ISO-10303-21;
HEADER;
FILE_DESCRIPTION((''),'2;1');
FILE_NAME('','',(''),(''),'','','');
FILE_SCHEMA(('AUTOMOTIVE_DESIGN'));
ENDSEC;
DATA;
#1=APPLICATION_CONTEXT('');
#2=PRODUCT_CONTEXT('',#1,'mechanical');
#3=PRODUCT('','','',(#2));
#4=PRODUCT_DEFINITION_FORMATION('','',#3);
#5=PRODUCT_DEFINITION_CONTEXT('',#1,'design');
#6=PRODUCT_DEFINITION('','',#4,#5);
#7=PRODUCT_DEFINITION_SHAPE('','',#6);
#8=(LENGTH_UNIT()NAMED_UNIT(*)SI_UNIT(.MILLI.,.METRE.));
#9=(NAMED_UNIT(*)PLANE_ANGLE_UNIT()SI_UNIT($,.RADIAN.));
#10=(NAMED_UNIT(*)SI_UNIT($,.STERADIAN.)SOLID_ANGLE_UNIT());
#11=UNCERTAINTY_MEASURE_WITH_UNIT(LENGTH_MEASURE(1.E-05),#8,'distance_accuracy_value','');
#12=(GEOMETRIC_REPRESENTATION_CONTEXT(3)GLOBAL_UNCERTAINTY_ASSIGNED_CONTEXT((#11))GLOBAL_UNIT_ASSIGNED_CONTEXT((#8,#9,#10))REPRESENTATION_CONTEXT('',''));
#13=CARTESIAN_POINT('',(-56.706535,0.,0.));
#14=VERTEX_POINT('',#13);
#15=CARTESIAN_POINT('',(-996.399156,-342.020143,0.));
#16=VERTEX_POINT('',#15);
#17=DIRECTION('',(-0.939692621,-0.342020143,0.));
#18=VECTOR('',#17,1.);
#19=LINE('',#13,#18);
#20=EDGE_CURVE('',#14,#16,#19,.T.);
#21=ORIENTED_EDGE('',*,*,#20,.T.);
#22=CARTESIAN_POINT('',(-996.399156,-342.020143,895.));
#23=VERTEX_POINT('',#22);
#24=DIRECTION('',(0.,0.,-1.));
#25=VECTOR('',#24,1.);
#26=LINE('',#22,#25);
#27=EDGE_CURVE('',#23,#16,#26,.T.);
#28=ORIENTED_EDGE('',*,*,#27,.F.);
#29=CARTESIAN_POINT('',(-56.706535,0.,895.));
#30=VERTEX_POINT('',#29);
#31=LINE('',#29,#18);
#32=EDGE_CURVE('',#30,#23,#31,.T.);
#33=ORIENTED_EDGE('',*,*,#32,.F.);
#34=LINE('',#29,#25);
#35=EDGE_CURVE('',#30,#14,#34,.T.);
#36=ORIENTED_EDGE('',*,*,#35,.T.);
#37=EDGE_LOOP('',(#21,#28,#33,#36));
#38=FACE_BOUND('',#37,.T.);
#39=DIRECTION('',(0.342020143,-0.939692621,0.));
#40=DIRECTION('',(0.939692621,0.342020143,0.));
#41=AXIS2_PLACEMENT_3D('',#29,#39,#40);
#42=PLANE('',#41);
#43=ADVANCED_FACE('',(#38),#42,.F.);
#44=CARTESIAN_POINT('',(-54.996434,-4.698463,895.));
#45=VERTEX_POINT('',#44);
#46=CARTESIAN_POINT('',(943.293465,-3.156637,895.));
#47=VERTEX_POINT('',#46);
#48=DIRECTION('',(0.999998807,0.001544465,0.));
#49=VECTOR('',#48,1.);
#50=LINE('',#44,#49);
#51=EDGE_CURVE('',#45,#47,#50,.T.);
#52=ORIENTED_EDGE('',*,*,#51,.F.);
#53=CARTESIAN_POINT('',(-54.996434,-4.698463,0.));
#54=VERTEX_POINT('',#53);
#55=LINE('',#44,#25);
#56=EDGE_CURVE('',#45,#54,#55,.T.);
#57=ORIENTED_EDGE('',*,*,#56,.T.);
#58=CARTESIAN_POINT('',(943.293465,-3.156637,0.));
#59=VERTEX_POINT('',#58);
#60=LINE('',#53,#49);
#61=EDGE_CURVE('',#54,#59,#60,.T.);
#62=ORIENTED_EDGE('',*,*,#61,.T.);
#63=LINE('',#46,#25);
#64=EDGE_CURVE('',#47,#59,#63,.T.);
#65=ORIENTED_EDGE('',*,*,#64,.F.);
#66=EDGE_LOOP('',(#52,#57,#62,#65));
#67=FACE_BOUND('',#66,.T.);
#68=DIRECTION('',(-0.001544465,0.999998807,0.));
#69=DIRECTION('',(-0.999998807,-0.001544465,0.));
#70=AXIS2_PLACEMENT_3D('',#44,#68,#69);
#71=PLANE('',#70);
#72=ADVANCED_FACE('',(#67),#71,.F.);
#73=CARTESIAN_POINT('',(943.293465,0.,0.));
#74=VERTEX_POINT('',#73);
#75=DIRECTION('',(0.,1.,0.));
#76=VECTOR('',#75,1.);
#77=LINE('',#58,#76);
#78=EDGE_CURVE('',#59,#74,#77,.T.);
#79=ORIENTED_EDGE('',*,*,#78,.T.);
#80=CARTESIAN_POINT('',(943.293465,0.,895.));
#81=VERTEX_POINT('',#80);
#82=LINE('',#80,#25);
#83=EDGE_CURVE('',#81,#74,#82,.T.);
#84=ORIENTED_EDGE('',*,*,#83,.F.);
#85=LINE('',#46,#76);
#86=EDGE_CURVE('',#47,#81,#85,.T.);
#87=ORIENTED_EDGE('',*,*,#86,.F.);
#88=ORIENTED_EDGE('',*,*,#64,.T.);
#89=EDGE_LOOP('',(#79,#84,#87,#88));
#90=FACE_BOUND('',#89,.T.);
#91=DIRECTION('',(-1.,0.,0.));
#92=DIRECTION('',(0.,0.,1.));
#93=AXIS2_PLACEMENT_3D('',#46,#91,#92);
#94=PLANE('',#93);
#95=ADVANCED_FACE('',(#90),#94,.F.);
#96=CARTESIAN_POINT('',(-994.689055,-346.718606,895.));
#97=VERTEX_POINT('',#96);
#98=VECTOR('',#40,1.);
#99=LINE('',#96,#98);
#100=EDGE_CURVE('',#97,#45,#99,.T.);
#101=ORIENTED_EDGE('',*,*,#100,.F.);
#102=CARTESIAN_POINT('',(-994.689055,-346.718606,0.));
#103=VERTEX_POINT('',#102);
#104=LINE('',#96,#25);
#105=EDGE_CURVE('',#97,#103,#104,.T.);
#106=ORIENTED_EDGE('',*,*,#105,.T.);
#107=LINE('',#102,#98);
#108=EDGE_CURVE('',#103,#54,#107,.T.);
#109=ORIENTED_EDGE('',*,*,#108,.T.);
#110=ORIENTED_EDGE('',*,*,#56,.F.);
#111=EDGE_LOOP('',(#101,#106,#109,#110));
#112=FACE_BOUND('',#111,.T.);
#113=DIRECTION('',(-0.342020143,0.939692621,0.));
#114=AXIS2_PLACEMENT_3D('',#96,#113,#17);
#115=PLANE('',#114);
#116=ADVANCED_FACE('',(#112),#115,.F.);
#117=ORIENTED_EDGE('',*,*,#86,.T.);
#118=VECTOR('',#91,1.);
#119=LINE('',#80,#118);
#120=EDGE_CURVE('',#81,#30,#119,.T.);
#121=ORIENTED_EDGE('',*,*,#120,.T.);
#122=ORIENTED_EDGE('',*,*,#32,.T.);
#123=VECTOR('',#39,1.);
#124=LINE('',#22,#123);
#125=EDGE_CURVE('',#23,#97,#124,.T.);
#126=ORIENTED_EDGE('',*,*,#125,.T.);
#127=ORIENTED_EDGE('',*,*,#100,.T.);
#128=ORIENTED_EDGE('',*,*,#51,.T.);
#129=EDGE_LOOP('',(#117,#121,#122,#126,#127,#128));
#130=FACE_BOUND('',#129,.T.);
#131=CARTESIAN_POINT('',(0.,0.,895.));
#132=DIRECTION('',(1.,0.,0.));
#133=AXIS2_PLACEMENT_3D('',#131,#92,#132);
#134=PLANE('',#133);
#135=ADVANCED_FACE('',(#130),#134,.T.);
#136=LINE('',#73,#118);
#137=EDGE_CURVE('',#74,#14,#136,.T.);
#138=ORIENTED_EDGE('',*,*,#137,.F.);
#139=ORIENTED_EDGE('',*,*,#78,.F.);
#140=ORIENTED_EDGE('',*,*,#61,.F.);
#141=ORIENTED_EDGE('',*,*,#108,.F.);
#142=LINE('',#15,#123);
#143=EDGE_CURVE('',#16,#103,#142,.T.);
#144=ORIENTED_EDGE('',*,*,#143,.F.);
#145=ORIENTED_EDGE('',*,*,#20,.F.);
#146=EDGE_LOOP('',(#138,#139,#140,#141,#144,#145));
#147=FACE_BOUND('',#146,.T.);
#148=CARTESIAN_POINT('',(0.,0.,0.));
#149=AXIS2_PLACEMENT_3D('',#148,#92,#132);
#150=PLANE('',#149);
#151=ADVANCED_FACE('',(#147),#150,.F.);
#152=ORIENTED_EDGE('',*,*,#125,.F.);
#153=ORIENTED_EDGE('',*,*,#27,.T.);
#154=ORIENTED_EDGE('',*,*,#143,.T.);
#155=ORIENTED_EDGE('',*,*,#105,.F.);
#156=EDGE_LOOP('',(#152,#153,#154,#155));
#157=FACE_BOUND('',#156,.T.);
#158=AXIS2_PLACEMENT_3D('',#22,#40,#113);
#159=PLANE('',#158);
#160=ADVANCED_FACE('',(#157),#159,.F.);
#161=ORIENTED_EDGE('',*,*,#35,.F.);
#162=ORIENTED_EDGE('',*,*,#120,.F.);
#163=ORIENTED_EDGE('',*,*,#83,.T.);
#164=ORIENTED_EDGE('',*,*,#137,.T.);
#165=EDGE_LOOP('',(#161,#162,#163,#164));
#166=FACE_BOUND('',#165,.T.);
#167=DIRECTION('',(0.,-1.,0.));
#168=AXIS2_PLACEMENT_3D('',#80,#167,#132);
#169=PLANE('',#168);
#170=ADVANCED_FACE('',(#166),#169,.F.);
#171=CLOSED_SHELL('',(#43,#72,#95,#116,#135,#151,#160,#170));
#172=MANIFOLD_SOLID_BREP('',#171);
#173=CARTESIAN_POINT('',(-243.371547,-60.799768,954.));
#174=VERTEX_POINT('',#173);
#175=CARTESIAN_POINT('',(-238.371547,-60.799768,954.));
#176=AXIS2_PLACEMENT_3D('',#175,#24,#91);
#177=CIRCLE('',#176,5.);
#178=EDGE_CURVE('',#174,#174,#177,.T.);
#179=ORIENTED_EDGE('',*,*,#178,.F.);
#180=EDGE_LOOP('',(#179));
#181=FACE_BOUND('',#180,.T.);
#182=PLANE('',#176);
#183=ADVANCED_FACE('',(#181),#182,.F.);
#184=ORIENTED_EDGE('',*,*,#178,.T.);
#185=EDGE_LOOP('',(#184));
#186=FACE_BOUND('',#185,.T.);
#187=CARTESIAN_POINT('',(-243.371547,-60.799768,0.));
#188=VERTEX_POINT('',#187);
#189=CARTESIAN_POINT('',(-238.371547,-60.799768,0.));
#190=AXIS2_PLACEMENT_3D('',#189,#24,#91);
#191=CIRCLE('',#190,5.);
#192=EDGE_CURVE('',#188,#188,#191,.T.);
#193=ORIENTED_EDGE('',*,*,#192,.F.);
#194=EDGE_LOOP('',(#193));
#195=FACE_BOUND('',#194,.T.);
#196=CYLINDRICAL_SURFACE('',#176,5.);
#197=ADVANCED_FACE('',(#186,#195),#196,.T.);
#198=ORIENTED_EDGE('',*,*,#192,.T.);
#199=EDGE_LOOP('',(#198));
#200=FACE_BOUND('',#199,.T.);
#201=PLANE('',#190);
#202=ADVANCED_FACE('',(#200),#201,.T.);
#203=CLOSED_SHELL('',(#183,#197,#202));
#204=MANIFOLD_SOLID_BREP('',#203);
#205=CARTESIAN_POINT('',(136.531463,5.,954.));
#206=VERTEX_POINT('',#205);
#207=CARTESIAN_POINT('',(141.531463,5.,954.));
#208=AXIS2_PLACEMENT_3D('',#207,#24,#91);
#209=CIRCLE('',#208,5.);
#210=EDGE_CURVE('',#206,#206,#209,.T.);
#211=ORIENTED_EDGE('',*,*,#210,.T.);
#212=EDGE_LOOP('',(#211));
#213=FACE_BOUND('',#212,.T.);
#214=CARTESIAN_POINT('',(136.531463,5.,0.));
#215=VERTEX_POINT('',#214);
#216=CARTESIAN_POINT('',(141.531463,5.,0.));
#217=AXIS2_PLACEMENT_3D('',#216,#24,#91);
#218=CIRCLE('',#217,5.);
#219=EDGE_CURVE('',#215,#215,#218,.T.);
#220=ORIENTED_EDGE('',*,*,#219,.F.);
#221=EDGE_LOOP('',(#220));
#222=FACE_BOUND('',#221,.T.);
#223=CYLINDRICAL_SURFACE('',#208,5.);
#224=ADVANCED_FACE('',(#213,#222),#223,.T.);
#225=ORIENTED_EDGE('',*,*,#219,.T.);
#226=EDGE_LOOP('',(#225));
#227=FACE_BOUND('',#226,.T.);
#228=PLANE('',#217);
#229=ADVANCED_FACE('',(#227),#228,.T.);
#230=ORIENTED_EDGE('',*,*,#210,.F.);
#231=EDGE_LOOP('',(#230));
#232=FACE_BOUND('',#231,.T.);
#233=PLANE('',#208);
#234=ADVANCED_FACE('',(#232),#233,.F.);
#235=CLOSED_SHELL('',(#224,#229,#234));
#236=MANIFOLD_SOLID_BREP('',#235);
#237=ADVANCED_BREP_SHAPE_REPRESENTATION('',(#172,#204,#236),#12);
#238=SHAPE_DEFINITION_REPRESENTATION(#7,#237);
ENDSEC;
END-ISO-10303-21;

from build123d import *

# Parameters (mm, degrees)
RESSALTO_EXTRUS_O3_DEPTH   = 895
ESBO_O12_R                 = 5
RESSALTO_EXTRUS_O4_DEPTH   = 954
RESSALTO_EXTRUS_O4_2_DEPTH = 954


with BuildPart() as part:
    # Esboço10 → Ressalto-extrusão3 (new body)
    with BuildSketch(Plane.XY):
        Polygon((943.293464845, 0), (-56.706535155, 0), (-996.399155941, -342.020143326), (-994.689055225, -346.71860643), (-54.996434439, -4.698463104), (943.293464845, -3.156637289), align=None)
    extrude(amount=RESSALTO_EXTRUS_O3_DEPTH)


with BuildPart() as body_2:
    # Esboço12 → Ressalto-extrusão4 (new body)
    with BuildSketch(Plane(origin=(0, 0, 0), x_dir=(-1, 0, 0), z_dir=(0, 0, -1))):
        with Locations((-141.531462956, 5)):
            Circle(ESBO_O12_R)
    extrude(amount=-RESSALTO_EXTRUS_O4_DEPTH)


with BuildPart() as body_3:
    # Esboço12 → Ressalto-extrus_o4 2 (new body)
    with BuildSketch(Plane(origin=(0, 0, 0), x_dir=(-1, 0, 0), z_dir=(0, 0, -1))):
        with Locations((238.371547446, -60.799768219)):
            Circle(ESBO_O12_R)
    extrude(amount=-RESSALTO_EXTRUS_O4_2_DEPTH)


solid = Compound([part.part, body_2.part, body_3.part])
